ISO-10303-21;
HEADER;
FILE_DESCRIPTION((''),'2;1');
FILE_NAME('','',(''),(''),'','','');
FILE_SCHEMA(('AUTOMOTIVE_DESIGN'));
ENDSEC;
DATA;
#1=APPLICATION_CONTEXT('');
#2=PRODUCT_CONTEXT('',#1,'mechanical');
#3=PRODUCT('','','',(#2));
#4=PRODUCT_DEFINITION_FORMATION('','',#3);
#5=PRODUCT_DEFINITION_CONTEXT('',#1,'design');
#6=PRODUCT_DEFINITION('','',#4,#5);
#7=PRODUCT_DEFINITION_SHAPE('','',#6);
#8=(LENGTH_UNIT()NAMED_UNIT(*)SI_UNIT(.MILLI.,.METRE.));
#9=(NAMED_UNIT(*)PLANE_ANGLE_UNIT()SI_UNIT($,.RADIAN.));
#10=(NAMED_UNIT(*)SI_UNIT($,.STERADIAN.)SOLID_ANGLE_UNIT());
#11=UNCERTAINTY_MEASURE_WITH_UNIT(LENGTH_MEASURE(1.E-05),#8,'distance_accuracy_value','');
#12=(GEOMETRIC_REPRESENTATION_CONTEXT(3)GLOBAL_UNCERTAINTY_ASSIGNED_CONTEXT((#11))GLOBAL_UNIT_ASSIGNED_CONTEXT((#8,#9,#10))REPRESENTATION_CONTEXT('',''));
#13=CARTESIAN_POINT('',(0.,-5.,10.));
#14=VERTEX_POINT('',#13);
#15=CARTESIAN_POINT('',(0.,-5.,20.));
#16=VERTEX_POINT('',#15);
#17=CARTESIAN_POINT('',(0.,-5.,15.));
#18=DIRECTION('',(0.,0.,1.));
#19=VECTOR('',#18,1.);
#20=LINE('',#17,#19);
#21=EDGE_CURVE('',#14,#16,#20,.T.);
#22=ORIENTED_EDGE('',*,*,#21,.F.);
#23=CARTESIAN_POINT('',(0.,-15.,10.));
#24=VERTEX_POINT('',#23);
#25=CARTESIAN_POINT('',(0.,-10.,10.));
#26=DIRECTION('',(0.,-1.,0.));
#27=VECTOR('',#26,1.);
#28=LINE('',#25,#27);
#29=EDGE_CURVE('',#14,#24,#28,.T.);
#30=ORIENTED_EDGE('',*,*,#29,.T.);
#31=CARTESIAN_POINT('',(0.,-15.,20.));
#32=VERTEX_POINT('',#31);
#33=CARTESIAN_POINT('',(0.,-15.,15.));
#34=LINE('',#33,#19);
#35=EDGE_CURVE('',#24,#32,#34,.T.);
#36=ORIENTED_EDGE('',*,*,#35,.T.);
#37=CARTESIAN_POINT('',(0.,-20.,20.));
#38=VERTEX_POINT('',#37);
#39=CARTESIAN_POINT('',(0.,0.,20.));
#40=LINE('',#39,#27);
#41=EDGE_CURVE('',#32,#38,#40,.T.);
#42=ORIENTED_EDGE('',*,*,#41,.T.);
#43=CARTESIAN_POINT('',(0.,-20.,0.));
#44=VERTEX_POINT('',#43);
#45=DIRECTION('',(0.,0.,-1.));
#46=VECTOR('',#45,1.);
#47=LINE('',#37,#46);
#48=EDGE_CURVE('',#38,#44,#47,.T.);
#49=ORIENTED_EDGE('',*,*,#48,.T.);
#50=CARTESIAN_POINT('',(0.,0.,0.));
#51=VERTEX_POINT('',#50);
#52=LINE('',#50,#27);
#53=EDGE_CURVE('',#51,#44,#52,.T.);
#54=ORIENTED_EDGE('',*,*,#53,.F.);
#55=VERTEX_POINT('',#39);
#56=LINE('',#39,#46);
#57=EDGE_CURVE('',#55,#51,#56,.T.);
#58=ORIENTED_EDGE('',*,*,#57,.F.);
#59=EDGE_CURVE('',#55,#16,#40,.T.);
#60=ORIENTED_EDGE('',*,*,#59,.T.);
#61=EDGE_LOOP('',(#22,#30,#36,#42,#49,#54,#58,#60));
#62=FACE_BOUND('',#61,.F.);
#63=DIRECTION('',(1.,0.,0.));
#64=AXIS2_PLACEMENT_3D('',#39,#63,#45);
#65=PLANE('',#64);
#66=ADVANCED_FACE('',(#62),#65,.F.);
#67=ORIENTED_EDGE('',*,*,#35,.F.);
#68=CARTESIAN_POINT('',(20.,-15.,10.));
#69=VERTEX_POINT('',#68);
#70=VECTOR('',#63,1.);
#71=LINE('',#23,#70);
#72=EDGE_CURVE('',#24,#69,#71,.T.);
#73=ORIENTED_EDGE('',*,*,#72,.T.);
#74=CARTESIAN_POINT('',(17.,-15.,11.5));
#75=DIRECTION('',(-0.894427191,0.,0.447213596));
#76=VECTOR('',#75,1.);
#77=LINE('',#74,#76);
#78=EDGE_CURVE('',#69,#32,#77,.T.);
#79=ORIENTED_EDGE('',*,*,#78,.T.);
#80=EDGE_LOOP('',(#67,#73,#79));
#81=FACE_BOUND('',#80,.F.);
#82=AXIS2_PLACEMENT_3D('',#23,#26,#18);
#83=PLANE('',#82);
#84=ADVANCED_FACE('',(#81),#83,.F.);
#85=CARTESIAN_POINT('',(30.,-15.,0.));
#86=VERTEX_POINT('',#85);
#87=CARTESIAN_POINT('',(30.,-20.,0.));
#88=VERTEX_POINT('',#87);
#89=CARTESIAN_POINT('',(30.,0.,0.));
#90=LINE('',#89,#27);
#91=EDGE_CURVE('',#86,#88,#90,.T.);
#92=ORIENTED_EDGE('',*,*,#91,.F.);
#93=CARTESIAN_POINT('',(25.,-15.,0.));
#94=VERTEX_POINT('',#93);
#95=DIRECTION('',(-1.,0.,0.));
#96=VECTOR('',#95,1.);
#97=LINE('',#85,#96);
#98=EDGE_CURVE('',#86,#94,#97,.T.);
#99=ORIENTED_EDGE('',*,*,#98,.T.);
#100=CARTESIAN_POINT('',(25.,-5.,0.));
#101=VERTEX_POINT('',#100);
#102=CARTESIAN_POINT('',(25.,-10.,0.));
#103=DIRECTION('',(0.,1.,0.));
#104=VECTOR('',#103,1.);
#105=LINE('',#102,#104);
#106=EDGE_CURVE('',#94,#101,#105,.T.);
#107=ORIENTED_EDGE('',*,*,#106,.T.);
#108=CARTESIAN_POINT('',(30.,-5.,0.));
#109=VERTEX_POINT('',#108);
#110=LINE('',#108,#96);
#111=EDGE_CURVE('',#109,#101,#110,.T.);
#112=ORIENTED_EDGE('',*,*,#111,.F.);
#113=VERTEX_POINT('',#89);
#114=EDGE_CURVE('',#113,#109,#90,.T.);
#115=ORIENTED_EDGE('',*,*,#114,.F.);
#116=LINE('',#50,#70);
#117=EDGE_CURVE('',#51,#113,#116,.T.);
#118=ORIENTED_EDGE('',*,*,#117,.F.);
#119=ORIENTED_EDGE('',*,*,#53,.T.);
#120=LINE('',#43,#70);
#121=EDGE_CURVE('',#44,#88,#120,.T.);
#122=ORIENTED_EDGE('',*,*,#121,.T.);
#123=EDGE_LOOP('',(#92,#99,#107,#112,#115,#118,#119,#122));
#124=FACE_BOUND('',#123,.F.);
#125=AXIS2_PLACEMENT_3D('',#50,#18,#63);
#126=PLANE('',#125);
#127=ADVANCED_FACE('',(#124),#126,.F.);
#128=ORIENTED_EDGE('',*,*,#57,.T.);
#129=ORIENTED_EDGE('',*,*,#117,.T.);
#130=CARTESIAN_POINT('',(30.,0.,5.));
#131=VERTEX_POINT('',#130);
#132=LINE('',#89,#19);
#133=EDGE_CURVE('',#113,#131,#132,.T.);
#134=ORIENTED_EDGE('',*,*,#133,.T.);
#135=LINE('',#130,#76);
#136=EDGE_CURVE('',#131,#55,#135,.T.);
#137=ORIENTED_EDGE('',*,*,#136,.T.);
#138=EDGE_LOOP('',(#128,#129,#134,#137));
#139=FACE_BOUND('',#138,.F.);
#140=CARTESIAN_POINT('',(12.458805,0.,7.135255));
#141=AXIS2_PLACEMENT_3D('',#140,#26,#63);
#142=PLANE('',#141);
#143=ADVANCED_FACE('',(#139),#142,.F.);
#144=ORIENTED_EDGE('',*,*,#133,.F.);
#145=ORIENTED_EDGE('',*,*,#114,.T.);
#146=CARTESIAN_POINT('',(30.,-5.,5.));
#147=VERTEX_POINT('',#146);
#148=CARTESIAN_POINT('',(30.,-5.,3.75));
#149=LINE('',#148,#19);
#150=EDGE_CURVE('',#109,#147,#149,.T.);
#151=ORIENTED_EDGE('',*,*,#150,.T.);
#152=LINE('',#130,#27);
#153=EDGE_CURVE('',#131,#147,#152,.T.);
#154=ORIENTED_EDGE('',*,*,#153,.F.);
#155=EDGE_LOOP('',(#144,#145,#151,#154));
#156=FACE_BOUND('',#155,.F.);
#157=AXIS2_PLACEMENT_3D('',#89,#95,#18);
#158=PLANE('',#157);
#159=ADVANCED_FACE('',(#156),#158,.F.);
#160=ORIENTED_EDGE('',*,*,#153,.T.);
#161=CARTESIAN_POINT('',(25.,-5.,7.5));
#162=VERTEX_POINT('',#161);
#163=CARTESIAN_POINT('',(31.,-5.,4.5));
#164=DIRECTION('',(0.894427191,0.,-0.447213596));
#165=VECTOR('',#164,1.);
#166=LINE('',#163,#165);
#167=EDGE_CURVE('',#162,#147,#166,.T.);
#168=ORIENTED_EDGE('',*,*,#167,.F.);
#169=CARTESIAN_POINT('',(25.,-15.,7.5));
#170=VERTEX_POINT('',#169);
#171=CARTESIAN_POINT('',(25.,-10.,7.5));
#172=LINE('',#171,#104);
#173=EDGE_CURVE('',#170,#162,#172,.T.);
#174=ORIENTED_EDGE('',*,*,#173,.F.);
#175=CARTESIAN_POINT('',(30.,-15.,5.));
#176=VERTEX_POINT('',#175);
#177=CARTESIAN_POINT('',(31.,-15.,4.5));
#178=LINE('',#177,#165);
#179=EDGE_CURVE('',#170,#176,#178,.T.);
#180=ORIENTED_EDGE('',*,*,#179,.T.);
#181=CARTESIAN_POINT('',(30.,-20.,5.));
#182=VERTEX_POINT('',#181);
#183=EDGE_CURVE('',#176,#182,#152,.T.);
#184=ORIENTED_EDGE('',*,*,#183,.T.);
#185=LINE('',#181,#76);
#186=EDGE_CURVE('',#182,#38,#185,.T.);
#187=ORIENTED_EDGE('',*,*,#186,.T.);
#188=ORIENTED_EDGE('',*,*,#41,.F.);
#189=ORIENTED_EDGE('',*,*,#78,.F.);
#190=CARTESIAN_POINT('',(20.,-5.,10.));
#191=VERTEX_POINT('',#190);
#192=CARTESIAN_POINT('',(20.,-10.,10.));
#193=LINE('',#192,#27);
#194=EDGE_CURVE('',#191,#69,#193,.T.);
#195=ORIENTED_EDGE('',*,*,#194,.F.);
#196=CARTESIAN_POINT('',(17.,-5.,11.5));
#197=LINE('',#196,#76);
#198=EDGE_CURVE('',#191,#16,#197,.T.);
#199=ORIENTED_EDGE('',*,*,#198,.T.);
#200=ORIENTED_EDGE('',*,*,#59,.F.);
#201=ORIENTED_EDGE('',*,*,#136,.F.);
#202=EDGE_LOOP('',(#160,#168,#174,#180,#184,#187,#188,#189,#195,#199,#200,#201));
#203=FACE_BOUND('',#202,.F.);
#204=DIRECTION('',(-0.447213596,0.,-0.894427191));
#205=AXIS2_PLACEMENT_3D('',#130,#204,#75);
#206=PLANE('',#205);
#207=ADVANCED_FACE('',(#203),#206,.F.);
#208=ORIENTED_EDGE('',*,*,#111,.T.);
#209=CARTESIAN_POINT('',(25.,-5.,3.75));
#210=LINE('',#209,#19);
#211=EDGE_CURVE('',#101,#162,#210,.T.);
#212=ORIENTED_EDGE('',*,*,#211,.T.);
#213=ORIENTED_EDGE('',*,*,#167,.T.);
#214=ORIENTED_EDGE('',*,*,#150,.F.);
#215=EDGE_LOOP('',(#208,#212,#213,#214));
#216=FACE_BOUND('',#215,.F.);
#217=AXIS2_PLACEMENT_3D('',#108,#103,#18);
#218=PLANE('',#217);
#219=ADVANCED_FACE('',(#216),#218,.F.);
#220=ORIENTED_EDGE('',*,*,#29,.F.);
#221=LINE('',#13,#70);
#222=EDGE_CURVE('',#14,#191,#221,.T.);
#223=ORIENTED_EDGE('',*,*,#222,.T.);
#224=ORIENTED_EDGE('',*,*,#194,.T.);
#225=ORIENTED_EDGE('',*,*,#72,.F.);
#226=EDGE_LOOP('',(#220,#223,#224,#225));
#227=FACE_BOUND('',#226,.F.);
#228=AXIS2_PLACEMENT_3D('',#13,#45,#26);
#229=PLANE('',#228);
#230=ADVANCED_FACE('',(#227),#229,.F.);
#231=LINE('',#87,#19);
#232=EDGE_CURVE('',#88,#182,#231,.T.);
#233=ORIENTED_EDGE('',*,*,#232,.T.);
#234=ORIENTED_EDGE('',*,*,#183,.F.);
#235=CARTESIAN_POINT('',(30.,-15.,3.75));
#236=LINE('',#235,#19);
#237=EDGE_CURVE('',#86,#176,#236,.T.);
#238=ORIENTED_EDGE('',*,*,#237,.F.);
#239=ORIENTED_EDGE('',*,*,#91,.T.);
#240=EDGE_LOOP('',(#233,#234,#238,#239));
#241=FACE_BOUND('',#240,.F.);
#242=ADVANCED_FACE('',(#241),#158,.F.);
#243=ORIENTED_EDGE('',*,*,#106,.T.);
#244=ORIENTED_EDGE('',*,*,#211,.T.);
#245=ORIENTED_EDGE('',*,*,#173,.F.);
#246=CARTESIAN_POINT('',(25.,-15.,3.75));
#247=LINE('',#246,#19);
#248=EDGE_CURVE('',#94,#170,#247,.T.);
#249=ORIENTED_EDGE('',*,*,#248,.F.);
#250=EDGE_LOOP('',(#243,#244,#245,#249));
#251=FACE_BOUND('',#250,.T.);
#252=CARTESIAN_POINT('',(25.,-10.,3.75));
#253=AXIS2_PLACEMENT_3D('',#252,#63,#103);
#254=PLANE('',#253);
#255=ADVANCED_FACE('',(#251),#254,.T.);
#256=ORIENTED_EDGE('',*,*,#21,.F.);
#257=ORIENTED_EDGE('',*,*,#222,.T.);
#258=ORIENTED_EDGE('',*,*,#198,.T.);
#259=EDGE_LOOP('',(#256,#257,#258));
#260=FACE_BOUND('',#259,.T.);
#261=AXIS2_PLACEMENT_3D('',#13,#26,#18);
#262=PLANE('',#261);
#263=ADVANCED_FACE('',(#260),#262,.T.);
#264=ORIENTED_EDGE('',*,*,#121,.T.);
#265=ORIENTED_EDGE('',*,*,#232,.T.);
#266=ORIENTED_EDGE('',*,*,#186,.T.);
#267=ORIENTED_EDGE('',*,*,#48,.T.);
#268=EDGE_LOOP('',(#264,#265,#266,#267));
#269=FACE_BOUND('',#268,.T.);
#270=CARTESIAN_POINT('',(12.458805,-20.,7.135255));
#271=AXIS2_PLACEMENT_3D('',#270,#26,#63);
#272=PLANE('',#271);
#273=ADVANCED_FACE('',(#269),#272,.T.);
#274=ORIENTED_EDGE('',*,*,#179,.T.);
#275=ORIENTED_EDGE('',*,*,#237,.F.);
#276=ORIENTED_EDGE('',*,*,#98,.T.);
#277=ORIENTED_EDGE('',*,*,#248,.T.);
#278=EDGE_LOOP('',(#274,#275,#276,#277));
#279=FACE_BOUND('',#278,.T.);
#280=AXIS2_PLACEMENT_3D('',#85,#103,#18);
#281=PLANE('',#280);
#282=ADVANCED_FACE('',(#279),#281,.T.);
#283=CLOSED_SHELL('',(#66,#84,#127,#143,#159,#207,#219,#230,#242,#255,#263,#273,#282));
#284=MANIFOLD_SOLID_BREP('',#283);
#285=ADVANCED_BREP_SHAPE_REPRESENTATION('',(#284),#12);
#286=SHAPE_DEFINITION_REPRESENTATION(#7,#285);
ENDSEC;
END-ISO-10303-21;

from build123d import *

# Parameters (mm, degrees)
F1_DEPTH = 20
F2_W     = 10
F2_H     = 7.5
F3_DEPTH = 5
F4_W     = 10
F4_H     = 10
F5_DEPTH = 20


with BuildPart() as f1:
    # F0 (on Front) → F1 (new body)
    with BuildSketch(Plane.XZ):
        Polygon((30, 5), (0, 20), (0, 0), (30, 0), align=None)
    extrude(amount=F1_DEPTH)

    # F2 (on face) → F3 (cut)
    with BuildSketch(Plane.YZ.offset(30)):
        with Locations((-10, 3.75)):
            Rectangle(F2_W, F2_H)
    extrude(amount=-F3_DEPTH, mode=Mode.SUBTRACT)

    # F4 (on face) → F5 (cut)
    with BuildSketch(Plane(origin=(0, 0, 0), x_dir=(0, -1, 0), z_dir=(-1, 0, 0))):
        with Locations((10, 15)):
            Rectangle(F4_W, F4_H)
    extrude(amount=-F5_DEPTH, mode=Mode.SUBTRACT)


solid = f1.part
